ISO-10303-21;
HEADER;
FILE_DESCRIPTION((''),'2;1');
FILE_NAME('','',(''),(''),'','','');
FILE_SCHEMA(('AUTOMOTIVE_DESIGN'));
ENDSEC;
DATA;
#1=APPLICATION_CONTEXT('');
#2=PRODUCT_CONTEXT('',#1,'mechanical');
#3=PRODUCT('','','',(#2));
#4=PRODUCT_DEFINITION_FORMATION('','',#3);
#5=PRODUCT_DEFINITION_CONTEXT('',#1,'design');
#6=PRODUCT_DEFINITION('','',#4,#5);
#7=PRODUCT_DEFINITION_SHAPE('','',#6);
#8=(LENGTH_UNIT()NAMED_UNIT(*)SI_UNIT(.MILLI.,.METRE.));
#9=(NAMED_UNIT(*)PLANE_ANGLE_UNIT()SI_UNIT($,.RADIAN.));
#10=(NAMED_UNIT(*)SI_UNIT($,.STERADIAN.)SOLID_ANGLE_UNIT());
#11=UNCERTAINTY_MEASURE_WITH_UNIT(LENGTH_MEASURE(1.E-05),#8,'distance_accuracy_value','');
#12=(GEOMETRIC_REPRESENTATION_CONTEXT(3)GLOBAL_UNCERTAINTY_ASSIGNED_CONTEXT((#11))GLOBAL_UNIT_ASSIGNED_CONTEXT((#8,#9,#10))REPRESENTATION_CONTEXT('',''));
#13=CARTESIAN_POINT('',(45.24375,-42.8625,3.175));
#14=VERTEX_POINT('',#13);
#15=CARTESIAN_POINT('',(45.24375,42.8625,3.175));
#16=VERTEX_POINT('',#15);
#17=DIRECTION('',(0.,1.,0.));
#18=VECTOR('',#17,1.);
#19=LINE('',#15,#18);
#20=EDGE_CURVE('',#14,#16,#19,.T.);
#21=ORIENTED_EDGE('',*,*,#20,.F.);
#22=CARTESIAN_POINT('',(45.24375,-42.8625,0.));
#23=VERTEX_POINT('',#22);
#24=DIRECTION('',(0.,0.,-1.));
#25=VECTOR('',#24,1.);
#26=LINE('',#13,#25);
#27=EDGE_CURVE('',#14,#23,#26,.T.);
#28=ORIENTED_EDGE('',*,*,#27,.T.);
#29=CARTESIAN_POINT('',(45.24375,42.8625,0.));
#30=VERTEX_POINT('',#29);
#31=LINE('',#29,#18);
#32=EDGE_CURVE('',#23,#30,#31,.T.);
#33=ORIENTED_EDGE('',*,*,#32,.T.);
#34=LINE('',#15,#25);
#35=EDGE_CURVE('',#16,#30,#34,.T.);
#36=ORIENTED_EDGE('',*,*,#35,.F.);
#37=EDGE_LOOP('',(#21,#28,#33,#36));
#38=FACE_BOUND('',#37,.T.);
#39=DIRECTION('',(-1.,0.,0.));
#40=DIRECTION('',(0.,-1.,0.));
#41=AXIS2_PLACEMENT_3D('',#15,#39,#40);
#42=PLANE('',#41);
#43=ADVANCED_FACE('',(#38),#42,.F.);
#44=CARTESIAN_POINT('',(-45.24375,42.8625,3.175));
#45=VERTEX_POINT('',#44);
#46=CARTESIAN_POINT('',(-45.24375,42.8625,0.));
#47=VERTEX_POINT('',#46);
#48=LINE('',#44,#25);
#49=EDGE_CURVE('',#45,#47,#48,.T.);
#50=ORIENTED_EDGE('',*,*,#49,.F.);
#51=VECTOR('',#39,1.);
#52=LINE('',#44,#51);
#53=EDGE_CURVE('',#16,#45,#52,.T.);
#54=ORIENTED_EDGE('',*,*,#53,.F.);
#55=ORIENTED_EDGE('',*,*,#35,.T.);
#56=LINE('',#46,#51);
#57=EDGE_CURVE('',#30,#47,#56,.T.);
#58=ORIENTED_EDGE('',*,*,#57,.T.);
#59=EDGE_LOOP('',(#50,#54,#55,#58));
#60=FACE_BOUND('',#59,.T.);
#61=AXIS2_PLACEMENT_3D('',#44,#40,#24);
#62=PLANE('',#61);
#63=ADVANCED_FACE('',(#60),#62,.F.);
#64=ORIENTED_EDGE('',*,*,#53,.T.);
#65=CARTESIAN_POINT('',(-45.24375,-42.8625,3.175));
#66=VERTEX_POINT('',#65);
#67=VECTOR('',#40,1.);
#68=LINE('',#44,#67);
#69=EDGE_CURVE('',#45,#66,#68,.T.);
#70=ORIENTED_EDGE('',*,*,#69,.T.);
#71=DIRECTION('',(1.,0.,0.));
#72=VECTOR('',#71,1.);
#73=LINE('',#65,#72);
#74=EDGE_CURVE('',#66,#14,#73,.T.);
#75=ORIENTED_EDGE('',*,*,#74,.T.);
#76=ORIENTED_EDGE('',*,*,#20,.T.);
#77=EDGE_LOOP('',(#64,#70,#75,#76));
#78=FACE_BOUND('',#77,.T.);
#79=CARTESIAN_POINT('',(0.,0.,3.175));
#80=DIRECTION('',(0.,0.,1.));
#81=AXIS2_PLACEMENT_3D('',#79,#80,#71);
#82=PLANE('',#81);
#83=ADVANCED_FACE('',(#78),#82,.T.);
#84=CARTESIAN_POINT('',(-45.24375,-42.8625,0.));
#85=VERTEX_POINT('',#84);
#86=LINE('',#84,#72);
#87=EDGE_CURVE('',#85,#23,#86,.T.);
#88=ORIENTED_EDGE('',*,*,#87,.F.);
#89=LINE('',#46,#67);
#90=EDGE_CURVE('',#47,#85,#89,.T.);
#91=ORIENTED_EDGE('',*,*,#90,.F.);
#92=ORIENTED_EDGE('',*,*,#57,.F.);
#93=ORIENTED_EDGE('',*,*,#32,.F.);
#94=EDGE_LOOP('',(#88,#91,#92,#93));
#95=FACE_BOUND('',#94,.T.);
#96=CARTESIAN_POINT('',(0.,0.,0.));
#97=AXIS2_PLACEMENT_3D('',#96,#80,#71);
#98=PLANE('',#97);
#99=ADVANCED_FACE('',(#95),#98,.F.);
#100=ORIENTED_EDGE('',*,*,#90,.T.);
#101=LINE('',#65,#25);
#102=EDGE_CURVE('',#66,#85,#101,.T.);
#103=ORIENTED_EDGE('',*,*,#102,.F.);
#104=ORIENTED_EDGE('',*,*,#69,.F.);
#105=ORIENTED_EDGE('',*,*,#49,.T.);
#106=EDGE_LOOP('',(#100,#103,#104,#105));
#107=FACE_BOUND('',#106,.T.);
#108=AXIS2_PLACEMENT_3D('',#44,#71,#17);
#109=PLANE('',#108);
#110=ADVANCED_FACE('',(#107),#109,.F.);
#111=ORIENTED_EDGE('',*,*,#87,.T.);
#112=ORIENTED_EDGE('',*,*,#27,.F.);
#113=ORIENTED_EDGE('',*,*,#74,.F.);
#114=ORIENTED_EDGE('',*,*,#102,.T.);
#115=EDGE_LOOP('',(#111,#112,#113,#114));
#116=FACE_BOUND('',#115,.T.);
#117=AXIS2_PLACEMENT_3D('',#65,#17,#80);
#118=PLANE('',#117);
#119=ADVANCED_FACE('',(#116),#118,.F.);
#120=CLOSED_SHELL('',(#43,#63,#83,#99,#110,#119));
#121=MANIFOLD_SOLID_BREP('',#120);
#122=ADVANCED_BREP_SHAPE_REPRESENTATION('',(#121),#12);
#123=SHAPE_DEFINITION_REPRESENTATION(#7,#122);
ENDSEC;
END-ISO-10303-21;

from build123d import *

# Parameters (mm, degrees)
SKETCH1_W           = 90.4875
SKETCH1_H           = 85.725
BOSS_EXTRUDE1_DEPTH = 3.175


with BuildPart() as part:
    # Sketch1 → Boss-Extrude1 (new body)
    with BuildSketch(Plane.XY):
        Rectangle(SKETCH1_W, SKETCH1_H)
    extrude(amount=BOSS_EXTRUDE1_DEPTH)


solid = part.part
